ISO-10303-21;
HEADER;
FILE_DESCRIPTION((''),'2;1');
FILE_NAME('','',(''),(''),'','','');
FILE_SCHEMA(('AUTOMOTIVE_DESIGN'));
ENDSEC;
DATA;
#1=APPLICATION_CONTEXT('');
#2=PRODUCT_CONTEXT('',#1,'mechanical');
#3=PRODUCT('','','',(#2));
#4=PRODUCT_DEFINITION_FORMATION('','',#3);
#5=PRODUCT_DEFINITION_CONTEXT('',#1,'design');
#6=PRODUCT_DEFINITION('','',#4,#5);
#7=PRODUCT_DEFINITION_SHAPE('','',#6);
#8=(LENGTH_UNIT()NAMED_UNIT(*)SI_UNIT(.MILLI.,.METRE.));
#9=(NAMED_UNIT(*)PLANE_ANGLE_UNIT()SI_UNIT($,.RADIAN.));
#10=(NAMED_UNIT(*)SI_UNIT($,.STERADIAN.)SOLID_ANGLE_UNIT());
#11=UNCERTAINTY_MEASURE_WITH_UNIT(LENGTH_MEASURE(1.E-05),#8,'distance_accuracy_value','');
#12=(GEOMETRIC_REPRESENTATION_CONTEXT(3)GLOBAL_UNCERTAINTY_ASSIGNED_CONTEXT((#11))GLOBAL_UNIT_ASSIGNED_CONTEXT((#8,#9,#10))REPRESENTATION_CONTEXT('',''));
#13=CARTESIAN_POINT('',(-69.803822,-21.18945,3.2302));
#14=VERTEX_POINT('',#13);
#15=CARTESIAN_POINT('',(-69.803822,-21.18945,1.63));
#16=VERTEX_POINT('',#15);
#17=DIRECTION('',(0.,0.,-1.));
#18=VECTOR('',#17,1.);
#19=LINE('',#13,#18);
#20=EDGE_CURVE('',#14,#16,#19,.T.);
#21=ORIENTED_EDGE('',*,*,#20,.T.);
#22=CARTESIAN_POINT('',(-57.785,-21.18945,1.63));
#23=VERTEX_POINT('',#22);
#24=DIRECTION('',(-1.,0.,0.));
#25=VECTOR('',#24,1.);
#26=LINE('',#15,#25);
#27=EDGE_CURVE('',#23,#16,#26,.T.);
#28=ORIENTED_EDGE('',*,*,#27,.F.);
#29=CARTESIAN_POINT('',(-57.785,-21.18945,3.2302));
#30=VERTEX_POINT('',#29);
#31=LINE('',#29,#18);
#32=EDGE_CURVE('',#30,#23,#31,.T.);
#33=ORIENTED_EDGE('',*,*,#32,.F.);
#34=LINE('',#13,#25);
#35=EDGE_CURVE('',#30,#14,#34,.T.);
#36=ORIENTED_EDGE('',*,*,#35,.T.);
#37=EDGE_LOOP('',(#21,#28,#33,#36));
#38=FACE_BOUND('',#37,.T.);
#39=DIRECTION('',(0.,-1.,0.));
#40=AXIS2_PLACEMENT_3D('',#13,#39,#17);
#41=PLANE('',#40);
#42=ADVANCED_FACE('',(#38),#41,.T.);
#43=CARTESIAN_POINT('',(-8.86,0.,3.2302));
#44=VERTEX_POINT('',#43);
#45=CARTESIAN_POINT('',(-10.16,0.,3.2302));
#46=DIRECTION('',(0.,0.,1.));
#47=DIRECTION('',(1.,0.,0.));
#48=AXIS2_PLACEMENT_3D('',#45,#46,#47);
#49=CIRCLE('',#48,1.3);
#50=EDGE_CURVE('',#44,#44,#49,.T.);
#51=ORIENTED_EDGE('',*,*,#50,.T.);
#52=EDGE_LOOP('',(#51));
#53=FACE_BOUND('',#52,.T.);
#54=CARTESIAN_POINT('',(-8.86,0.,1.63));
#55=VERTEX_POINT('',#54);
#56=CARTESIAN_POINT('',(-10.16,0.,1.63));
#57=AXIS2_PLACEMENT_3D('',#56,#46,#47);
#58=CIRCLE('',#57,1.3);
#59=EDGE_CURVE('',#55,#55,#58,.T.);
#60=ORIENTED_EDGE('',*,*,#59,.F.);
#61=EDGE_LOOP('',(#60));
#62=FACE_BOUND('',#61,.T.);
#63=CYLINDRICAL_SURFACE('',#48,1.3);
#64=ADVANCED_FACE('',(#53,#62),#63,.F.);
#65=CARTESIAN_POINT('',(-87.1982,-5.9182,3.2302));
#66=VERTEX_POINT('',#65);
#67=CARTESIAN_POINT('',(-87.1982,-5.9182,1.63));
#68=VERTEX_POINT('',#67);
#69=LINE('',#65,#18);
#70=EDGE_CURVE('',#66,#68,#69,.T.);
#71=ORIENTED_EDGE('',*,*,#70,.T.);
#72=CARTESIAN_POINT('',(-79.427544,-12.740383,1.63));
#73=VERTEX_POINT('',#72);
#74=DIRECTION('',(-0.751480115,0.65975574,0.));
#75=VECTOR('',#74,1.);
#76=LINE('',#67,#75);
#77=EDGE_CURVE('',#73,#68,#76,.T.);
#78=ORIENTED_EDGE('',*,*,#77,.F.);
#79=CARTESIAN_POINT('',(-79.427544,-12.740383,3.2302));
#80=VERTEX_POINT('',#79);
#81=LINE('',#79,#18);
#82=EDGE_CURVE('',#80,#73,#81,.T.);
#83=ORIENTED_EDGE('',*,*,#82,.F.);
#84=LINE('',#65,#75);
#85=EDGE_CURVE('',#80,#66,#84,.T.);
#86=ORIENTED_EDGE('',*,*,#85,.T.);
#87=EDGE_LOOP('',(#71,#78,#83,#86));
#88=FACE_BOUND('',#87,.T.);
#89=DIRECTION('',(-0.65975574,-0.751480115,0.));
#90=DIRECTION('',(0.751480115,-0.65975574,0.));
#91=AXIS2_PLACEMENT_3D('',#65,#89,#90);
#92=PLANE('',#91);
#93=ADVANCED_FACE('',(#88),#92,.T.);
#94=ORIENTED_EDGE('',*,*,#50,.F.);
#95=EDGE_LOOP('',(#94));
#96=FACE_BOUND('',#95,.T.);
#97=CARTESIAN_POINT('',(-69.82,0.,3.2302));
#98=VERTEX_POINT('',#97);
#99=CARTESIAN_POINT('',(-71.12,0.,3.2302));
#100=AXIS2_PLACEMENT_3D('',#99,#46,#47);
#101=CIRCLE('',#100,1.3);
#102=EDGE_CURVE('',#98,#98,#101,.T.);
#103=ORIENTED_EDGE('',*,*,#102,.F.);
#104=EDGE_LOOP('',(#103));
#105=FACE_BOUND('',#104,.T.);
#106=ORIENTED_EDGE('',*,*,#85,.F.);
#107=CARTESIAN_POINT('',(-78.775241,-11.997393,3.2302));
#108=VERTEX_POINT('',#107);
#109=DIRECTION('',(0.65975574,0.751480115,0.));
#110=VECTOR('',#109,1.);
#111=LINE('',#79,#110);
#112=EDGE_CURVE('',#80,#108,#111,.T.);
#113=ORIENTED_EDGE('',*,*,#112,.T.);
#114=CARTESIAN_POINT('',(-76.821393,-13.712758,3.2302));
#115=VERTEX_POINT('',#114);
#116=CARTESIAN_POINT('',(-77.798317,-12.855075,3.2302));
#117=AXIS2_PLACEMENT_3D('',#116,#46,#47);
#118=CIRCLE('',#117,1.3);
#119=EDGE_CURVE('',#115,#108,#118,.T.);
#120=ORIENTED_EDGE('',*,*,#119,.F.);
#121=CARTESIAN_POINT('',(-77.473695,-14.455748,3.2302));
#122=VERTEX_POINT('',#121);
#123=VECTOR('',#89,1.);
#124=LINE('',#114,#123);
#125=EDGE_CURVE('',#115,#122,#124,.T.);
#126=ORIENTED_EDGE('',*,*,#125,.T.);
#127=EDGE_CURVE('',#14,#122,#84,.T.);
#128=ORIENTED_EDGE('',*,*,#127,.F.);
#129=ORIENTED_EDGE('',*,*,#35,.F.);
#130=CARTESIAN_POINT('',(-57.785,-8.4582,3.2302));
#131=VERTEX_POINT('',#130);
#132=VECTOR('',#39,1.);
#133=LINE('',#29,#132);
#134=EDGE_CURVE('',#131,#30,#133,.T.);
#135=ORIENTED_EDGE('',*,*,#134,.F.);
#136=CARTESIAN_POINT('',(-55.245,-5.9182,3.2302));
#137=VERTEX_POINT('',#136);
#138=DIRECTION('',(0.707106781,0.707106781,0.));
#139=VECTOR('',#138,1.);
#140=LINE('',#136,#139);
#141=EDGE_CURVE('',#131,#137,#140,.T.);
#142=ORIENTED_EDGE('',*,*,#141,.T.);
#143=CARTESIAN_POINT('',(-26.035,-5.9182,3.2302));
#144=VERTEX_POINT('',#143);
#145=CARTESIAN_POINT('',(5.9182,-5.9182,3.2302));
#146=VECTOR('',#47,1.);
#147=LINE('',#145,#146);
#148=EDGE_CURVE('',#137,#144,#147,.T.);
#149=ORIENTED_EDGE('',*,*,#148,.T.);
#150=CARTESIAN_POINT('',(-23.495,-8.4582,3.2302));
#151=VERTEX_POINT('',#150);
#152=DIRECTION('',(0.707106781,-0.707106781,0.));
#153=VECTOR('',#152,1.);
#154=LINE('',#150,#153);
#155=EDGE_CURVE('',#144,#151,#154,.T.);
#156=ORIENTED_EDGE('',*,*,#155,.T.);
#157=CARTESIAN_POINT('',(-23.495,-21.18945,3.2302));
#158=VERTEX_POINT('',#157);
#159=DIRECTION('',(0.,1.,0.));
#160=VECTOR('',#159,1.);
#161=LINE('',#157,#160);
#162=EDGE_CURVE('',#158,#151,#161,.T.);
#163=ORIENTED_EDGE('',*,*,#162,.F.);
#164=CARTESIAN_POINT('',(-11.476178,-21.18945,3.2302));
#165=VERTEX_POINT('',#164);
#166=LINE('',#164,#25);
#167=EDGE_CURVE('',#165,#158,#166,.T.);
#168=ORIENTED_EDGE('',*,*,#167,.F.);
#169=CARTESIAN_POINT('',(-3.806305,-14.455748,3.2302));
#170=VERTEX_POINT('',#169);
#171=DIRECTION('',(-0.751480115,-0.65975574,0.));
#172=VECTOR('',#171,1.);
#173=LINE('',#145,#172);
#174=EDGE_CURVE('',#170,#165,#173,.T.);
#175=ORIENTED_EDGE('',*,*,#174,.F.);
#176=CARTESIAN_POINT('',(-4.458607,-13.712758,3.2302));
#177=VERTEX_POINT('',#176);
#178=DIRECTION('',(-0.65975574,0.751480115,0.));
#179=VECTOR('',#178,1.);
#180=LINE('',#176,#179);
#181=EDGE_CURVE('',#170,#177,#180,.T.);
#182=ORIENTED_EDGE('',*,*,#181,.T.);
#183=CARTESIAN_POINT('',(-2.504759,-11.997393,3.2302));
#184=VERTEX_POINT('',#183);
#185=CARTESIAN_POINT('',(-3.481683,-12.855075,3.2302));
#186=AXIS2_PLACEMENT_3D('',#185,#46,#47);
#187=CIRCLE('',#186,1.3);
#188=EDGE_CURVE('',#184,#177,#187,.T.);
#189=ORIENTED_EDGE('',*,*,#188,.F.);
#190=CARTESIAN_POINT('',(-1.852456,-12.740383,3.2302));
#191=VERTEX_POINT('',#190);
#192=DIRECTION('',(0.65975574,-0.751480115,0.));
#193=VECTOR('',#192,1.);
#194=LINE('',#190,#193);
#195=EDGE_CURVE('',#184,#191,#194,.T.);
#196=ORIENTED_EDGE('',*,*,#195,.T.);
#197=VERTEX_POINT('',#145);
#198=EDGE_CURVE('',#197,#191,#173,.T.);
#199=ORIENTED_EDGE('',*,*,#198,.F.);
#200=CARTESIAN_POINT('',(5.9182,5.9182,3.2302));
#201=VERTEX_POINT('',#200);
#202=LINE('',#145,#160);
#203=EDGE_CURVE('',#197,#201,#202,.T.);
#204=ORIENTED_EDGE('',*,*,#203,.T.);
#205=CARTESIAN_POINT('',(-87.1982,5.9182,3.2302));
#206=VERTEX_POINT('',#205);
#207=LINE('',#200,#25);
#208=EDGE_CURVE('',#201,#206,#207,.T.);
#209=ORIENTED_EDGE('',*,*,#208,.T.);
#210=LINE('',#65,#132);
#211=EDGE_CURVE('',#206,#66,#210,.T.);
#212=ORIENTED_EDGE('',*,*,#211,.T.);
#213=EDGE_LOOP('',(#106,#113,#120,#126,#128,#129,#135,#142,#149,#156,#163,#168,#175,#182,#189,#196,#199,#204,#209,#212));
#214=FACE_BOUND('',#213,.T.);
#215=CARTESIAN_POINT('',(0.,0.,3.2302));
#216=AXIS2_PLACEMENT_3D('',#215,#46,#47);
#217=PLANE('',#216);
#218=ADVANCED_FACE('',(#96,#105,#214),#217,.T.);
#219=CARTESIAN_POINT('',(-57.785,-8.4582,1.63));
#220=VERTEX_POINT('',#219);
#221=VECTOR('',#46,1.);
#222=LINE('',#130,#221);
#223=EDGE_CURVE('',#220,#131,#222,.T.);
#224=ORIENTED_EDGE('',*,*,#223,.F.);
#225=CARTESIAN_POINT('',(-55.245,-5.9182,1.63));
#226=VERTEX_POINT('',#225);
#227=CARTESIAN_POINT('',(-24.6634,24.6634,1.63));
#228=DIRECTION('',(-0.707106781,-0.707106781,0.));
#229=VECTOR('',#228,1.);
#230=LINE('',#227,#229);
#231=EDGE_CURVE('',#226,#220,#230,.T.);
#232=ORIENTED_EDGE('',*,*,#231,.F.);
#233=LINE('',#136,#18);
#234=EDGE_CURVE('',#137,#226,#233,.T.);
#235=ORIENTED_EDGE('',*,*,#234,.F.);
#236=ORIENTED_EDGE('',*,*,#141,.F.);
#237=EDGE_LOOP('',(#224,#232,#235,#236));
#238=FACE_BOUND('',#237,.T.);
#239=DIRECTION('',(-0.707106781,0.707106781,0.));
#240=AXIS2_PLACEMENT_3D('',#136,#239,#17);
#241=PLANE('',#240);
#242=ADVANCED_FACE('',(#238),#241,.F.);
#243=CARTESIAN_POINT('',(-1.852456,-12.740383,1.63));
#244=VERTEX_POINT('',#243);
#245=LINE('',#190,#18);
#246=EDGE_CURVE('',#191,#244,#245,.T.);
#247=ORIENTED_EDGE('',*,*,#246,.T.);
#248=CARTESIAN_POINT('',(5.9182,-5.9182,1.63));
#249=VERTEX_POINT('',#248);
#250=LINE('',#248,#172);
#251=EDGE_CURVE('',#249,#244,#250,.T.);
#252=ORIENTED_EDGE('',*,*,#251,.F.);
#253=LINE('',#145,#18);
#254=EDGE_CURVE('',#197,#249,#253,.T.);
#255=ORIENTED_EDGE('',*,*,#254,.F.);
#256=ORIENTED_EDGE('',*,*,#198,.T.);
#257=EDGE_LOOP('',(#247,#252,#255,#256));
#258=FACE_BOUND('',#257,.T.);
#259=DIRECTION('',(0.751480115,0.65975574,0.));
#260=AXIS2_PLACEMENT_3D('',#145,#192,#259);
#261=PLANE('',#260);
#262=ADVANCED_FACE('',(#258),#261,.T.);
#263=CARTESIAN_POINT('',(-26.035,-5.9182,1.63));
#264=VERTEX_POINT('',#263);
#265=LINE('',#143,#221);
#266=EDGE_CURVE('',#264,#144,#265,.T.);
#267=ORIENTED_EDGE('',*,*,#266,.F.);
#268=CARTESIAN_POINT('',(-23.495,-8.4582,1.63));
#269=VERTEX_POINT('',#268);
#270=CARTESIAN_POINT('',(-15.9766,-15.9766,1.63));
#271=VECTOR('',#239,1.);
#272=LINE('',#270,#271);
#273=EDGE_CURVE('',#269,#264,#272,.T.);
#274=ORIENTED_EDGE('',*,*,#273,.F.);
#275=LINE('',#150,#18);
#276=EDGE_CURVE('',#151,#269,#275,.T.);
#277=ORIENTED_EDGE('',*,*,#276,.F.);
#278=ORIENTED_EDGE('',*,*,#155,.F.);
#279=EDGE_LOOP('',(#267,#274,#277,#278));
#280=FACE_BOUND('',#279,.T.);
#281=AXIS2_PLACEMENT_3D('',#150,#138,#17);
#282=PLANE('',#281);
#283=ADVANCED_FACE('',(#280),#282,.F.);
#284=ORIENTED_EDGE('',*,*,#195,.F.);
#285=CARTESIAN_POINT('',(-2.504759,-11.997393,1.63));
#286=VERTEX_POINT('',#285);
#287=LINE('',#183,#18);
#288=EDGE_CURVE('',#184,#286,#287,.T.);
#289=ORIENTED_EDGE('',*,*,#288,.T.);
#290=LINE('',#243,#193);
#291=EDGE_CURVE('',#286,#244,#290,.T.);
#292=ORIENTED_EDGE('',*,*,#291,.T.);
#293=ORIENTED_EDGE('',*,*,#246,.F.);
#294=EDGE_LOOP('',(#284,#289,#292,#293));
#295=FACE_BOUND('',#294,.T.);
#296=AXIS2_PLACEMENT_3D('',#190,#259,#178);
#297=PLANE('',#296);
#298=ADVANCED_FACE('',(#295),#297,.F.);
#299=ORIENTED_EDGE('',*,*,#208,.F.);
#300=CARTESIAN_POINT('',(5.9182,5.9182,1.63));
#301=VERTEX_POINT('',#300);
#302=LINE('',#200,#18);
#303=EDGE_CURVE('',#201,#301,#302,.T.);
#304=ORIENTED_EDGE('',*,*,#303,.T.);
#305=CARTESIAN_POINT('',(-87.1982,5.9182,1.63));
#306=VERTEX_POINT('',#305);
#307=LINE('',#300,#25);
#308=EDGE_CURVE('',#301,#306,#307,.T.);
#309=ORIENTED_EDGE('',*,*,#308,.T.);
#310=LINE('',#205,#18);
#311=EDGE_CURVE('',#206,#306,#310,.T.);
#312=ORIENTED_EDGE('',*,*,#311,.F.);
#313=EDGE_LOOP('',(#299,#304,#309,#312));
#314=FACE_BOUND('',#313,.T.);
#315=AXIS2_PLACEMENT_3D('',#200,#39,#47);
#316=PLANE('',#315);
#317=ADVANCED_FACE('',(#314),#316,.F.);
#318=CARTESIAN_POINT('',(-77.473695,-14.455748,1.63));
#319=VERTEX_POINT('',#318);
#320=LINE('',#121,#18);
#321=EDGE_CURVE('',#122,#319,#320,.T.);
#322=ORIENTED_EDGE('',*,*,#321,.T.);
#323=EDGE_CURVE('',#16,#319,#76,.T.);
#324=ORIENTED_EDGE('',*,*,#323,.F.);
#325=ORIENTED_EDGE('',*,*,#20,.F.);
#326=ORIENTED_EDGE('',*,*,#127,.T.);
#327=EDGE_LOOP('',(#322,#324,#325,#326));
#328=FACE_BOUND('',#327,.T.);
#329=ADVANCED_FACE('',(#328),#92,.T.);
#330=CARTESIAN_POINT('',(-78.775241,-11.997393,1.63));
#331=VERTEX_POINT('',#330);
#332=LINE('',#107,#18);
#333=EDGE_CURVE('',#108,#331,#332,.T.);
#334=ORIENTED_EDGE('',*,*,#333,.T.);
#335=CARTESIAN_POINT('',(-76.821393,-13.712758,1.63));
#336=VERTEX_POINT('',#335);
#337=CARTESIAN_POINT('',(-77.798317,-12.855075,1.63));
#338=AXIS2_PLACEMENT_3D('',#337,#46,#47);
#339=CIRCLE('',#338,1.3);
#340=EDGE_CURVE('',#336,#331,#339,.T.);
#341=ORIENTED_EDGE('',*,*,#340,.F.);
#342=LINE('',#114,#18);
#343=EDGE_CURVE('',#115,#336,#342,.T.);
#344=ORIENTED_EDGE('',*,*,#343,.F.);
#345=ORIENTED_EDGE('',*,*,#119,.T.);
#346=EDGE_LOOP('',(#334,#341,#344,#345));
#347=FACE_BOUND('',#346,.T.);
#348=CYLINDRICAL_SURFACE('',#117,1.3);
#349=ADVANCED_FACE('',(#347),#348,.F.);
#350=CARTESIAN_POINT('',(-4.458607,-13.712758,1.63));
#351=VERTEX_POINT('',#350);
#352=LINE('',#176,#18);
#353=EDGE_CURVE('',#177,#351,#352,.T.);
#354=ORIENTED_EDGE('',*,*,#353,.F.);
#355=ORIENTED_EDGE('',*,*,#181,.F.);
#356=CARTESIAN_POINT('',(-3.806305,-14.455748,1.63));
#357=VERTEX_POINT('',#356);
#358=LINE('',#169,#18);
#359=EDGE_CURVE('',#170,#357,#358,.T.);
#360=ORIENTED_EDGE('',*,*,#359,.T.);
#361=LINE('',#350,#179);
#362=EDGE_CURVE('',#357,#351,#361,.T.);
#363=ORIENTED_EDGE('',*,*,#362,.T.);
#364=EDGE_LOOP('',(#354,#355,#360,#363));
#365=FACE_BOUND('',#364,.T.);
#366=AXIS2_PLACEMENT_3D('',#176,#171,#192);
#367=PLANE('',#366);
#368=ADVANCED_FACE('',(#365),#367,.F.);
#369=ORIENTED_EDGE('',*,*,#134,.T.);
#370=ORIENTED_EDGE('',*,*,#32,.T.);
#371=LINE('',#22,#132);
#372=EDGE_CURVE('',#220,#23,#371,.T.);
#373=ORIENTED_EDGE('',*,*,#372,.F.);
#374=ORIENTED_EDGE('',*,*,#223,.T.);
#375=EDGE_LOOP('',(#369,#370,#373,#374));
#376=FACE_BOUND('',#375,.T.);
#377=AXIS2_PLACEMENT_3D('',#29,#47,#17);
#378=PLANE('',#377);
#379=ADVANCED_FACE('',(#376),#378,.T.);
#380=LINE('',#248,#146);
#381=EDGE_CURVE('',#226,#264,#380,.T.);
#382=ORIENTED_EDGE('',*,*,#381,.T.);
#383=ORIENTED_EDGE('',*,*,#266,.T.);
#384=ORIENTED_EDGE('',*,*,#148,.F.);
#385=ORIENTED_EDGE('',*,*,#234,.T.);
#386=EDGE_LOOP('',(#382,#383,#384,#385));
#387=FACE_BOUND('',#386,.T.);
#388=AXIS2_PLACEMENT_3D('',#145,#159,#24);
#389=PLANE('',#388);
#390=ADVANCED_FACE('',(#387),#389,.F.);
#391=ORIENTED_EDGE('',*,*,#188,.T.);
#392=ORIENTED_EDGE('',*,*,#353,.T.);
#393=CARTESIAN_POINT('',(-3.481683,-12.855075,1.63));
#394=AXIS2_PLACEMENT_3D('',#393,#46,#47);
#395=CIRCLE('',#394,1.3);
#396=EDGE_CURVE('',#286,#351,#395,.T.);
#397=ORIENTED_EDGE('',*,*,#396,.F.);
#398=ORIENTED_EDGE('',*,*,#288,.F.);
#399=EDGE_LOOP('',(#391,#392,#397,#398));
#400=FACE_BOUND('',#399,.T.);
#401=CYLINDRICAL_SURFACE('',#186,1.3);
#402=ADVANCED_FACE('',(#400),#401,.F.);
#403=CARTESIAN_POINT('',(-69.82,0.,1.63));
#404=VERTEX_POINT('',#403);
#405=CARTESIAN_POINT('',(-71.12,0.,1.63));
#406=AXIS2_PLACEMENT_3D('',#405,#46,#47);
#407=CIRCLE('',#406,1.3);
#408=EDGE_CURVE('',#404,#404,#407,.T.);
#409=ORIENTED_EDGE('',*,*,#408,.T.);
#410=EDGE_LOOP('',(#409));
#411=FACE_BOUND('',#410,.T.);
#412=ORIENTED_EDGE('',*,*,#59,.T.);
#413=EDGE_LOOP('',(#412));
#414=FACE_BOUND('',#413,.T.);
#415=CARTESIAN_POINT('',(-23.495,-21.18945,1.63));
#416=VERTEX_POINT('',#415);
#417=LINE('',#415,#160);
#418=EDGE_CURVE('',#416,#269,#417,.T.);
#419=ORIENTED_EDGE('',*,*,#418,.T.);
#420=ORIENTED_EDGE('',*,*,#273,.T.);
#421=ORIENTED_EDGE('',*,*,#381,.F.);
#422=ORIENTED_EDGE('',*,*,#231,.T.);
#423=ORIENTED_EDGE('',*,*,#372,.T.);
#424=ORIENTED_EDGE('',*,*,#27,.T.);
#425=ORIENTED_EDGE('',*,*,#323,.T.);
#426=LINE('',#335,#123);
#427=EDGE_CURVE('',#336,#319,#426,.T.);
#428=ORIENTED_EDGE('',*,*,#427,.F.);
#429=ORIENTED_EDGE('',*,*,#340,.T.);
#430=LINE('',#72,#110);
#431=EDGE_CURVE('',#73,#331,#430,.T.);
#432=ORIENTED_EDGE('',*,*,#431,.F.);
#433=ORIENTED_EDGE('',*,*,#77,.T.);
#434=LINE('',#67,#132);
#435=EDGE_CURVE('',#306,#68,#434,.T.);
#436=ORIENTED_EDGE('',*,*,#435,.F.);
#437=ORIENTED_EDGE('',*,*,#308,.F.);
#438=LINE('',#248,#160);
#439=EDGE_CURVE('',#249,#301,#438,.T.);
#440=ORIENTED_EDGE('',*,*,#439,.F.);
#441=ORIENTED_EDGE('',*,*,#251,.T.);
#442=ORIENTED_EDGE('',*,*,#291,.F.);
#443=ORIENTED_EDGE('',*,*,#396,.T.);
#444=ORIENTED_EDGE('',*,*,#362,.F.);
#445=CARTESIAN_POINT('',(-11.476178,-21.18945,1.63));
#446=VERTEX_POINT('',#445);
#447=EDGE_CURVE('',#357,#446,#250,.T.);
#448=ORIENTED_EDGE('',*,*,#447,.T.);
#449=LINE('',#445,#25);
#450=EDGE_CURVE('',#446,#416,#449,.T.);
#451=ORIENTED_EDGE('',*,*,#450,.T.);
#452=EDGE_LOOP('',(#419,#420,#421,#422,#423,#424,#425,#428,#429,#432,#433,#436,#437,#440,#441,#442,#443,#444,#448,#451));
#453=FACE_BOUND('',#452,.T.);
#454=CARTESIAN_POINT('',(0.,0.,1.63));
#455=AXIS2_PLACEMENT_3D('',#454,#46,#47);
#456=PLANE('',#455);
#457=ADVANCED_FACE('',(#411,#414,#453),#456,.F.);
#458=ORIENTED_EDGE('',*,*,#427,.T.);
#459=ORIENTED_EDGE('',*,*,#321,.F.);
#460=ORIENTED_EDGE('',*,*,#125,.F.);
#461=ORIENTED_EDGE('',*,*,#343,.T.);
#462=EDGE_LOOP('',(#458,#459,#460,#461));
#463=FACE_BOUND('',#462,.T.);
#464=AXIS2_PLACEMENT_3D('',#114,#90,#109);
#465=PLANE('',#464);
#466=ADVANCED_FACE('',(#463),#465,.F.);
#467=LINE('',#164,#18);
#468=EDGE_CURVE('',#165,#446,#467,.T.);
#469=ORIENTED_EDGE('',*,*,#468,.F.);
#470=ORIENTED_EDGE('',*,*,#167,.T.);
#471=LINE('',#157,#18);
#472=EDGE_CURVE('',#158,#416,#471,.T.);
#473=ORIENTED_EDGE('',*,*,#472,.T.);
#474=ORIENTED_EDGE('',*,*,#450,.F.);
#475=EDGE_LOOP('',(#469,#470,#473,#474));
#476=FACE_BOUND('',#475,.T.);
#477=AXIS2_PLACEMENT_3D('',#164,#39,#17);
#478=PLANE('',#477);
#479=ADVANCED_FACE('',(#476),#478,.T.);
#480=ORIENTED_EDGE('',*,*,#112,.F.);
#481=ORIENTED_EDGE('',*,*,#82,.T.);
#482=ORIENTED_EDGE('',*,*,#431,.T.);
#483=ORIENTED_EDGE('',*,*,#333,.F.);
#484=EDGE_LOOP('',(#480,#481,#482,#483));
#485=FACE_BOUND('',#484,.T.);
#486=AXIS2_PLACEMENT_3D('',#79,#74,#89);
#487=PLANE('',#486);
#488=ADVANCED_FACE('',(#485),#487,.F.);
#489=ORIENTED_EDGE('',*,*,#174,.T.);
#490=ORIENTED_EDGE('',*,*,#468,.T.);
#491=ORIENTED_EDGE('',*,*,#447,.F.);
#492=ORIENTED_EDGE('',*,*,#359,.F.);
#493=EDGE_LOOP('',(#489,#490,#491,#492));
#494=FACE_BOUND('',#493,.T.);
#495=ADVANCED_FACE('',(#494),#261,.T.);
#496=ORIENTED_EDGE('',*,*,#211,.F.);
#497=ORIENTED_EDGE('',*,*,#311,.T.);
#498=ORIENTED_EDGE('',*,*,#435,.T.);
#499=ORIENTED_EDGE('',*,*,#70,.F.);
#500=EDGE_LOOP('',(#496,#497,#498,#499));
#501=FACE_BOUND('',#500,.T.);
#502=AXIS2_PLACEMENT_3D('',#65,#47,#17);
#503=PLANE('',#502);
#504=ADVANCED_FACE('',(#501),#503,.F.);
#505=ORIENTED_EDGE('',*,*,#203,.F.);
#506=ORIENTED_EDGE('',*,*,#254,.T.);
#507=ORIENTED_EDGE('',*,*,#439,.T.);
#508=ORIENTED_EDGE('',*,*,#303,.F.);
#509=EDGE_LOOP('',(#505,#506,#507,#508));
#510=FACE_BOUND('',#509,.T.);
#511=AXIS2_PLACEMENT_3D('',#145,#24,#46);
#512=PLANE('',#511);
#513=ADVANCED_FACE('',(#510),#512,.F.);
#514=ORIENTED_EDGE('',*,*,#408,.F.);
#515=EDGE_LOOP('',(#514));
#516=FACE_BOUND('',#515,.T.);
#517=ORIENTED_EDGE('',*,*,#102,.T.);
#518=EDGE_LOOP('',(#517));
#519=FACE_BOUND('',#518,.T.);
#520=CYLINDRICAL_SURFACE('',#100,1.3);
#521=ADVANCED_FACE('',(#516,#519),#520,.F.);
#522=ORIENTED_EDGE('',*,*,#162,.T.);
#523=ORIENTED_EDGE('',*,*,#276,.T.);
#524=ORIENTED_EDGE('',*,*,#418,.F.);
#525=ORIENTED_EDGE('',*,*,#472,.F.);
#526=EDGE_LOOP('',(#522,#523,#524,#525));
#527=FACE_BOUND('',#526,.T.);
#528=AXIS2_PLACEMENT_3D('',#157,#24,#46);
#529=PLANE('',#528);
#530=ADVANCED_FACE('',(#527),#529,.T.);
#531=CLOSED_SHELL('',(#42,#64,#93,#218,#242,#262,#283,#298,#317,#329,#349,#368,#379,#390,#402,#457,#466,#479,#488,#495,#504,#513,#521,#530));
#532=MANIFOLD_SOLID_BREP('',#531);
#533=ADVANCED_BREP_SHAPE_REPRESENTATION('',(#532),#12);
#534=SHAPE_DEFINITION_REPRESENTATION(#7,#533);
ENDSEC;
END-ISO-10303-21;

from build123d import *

# Parameters (mm, degrees)
SKETCH1_W                  = 93.116399905
SKETCH1_H                  = 11.836399908
BOSS_EXTRUDE1_DEPTH        = 1.6002
BOSS_EXTRUDE2_DEPTH        = 1.6002
CHAMFER1_SIZE              = 2.54
F_2_6_2_6_DIAMETER_HOLE1_D = 2.6
CUT_EXTRUDE1_DEPTH         = 2.6002


with BuildPart() as part:
    # Sketch1 → Boss-Extrude1 (new body)
    with BuildSketch(Plane.XY.offset(1.63)):
        with Locations((-40.639999999, 0)):
            Rectangle(SKETCH1_W, SKETCH1_H)
    extrude(amount=BOSS_EXTRUDE1_DEPTH)

    # Sketch4 → Boss-Extrude2 (add, through all)
    with BuildSketch(Plane(origin=(0, 0, 1.63), x_dir=(-1, 0, 0), z_dir=(0, 0, -1))):
        Polygon((87.198199951, -5.918199954), (69.803821783, -21.189450144), (57.785000156, -21.189450144), (57.785000156, -5.918199954), align=None)
        Polygon((-5.918199954, -5.918199954), (23.494999841, -5.918199954), (23.494999841, -21.189450144), (11.476178214, -21.189450144), align=None)
    extrude(amount=-BOSS_EXTRUDE2_DEPTH)

    # Chamfer1
    chamfer1_edges = [part.edges().sort_by_distance(p)[0] for p in [
        (-57.785000156, -5.918199954, 2.4301),
        (-23.494999841, -5.918199954, 2.4301),
    ]]
    chamfer(chamfer1_edges, length=CHAMFER1_SIZE)

    # Ø2.6 (2.6) Diameter Hole1 (through all)
    with Locations(Plane.XY.offset(3.2302)):
        with Locations((-10.160000092, -7.6e-08), (-71.119999812, -3.5e-08), (-77.798317195, -12.855075132), (-3.481682742, -12.855075132)):
            Hole(F_2_6_2_6_DIAMETER_HOLE1_D / 2)

    # Sketch6 → Cut-Extrude1 (cut, through all)
    with BuildSketch(Plane(origin=(0, 0, 1.63), x_dir=(-1, 0, 0), z_dir=(0, 0, -1))):
        Polygon((79.427543726, -12.740383202), (78.775241344, -11.997392669), (76.821393045, -13.712757594), (77.473695428, -14.455748127), align=None)
        Polygon((1.852456271, -12.740383202), (3.806304569, -14.455748127), (4.458606952, -13.712757594), (2.504758653, -11.997392669), align=None)
    extrude(amount=-CUT_EXTRUDE1_DEPTH, mode=Mode.SUBTRACT)


solid = part.part
